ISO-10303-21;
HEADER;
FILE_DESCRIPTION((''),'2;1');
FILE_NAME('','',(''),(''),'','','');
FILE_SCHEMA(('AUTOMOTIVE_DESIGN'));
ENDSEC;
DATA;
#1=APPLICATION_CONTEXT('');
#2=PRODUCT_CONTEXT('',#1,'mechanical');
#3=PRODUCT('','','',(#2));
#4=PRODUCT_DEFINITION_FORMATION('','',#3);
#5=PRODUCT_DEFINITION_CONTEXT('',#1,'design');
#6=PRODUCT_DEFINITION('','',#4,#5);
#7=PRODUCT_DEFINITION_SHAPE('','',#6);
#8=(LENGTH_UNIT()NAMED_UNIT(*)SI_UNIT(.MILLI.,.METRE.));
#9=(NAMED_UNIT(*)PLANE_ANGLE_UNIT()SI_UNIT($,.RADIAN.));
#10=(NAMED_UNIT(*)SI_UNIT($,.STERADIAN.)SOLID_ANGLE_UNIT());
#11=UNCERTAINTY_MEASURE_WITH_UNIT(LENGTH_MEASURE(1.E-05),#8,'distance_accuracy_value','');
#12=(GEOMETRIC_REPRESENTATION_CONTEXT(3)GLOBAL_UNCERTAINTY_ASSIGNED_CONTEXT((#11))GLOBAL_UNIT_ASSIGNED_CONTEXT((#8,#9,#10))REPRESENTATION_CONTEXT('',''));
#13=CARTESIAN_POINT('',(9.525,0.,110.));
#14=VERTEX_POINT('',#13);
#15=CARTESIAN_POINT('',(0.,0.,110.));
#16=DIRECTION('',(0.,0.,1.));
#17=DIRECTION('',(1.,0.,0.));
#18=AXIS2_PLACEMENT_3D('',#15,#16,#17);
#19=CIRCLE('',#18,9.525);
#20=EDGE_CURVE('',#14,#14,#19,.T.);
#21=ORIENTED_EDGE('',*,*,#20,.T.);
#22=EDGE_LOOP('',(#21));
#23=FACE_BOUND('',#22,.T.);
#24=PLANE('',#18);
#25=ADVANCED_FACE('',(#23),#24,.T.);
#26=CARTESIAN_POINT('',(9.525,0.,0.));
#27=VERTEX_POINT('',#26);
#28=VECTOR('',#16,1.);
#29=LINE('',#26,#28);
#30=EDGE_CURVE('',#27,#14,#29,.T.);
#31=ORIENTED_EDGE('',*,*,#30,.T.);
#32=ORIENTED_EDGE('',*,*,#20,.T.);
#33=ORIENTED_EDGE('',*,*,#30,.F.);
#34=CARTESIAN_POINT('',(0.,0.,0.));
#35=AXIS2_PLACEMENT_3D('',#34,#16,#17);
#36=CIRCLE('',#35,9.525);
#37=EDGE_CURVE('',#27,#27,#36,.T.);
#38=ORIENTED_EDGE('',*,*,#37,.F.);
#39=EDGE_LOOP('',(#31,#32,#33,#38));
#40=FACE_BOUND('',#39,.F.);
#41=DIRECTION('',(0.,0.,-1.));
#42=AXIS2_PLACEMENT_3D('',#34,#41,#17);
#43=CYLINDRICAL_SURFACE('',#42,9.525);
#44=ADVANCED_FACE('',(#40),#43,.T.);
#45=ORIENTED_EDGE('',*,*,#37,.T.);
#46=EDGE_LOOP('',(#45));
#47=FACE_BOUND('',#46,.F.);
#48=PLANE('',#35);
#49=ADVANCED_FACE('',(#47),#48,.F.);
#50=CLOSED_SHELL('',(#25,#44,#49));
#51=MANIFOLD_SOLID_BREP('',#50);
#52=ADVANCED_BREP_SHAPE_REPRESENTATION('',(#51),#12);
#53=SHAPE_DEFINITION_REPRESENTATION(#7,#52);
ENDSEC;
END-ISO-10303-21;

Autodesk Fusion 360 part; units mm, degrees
sketch "Sketch1" plane through (0, 0, 0) normal (0, 0, 1) x (1, 0, 0)
  circle A0 centre (0, 0) radius 9.525
  dimension "d1" = 19.05
extrude "Extrude1" add sketch "Sketch1" along normal blind 110
